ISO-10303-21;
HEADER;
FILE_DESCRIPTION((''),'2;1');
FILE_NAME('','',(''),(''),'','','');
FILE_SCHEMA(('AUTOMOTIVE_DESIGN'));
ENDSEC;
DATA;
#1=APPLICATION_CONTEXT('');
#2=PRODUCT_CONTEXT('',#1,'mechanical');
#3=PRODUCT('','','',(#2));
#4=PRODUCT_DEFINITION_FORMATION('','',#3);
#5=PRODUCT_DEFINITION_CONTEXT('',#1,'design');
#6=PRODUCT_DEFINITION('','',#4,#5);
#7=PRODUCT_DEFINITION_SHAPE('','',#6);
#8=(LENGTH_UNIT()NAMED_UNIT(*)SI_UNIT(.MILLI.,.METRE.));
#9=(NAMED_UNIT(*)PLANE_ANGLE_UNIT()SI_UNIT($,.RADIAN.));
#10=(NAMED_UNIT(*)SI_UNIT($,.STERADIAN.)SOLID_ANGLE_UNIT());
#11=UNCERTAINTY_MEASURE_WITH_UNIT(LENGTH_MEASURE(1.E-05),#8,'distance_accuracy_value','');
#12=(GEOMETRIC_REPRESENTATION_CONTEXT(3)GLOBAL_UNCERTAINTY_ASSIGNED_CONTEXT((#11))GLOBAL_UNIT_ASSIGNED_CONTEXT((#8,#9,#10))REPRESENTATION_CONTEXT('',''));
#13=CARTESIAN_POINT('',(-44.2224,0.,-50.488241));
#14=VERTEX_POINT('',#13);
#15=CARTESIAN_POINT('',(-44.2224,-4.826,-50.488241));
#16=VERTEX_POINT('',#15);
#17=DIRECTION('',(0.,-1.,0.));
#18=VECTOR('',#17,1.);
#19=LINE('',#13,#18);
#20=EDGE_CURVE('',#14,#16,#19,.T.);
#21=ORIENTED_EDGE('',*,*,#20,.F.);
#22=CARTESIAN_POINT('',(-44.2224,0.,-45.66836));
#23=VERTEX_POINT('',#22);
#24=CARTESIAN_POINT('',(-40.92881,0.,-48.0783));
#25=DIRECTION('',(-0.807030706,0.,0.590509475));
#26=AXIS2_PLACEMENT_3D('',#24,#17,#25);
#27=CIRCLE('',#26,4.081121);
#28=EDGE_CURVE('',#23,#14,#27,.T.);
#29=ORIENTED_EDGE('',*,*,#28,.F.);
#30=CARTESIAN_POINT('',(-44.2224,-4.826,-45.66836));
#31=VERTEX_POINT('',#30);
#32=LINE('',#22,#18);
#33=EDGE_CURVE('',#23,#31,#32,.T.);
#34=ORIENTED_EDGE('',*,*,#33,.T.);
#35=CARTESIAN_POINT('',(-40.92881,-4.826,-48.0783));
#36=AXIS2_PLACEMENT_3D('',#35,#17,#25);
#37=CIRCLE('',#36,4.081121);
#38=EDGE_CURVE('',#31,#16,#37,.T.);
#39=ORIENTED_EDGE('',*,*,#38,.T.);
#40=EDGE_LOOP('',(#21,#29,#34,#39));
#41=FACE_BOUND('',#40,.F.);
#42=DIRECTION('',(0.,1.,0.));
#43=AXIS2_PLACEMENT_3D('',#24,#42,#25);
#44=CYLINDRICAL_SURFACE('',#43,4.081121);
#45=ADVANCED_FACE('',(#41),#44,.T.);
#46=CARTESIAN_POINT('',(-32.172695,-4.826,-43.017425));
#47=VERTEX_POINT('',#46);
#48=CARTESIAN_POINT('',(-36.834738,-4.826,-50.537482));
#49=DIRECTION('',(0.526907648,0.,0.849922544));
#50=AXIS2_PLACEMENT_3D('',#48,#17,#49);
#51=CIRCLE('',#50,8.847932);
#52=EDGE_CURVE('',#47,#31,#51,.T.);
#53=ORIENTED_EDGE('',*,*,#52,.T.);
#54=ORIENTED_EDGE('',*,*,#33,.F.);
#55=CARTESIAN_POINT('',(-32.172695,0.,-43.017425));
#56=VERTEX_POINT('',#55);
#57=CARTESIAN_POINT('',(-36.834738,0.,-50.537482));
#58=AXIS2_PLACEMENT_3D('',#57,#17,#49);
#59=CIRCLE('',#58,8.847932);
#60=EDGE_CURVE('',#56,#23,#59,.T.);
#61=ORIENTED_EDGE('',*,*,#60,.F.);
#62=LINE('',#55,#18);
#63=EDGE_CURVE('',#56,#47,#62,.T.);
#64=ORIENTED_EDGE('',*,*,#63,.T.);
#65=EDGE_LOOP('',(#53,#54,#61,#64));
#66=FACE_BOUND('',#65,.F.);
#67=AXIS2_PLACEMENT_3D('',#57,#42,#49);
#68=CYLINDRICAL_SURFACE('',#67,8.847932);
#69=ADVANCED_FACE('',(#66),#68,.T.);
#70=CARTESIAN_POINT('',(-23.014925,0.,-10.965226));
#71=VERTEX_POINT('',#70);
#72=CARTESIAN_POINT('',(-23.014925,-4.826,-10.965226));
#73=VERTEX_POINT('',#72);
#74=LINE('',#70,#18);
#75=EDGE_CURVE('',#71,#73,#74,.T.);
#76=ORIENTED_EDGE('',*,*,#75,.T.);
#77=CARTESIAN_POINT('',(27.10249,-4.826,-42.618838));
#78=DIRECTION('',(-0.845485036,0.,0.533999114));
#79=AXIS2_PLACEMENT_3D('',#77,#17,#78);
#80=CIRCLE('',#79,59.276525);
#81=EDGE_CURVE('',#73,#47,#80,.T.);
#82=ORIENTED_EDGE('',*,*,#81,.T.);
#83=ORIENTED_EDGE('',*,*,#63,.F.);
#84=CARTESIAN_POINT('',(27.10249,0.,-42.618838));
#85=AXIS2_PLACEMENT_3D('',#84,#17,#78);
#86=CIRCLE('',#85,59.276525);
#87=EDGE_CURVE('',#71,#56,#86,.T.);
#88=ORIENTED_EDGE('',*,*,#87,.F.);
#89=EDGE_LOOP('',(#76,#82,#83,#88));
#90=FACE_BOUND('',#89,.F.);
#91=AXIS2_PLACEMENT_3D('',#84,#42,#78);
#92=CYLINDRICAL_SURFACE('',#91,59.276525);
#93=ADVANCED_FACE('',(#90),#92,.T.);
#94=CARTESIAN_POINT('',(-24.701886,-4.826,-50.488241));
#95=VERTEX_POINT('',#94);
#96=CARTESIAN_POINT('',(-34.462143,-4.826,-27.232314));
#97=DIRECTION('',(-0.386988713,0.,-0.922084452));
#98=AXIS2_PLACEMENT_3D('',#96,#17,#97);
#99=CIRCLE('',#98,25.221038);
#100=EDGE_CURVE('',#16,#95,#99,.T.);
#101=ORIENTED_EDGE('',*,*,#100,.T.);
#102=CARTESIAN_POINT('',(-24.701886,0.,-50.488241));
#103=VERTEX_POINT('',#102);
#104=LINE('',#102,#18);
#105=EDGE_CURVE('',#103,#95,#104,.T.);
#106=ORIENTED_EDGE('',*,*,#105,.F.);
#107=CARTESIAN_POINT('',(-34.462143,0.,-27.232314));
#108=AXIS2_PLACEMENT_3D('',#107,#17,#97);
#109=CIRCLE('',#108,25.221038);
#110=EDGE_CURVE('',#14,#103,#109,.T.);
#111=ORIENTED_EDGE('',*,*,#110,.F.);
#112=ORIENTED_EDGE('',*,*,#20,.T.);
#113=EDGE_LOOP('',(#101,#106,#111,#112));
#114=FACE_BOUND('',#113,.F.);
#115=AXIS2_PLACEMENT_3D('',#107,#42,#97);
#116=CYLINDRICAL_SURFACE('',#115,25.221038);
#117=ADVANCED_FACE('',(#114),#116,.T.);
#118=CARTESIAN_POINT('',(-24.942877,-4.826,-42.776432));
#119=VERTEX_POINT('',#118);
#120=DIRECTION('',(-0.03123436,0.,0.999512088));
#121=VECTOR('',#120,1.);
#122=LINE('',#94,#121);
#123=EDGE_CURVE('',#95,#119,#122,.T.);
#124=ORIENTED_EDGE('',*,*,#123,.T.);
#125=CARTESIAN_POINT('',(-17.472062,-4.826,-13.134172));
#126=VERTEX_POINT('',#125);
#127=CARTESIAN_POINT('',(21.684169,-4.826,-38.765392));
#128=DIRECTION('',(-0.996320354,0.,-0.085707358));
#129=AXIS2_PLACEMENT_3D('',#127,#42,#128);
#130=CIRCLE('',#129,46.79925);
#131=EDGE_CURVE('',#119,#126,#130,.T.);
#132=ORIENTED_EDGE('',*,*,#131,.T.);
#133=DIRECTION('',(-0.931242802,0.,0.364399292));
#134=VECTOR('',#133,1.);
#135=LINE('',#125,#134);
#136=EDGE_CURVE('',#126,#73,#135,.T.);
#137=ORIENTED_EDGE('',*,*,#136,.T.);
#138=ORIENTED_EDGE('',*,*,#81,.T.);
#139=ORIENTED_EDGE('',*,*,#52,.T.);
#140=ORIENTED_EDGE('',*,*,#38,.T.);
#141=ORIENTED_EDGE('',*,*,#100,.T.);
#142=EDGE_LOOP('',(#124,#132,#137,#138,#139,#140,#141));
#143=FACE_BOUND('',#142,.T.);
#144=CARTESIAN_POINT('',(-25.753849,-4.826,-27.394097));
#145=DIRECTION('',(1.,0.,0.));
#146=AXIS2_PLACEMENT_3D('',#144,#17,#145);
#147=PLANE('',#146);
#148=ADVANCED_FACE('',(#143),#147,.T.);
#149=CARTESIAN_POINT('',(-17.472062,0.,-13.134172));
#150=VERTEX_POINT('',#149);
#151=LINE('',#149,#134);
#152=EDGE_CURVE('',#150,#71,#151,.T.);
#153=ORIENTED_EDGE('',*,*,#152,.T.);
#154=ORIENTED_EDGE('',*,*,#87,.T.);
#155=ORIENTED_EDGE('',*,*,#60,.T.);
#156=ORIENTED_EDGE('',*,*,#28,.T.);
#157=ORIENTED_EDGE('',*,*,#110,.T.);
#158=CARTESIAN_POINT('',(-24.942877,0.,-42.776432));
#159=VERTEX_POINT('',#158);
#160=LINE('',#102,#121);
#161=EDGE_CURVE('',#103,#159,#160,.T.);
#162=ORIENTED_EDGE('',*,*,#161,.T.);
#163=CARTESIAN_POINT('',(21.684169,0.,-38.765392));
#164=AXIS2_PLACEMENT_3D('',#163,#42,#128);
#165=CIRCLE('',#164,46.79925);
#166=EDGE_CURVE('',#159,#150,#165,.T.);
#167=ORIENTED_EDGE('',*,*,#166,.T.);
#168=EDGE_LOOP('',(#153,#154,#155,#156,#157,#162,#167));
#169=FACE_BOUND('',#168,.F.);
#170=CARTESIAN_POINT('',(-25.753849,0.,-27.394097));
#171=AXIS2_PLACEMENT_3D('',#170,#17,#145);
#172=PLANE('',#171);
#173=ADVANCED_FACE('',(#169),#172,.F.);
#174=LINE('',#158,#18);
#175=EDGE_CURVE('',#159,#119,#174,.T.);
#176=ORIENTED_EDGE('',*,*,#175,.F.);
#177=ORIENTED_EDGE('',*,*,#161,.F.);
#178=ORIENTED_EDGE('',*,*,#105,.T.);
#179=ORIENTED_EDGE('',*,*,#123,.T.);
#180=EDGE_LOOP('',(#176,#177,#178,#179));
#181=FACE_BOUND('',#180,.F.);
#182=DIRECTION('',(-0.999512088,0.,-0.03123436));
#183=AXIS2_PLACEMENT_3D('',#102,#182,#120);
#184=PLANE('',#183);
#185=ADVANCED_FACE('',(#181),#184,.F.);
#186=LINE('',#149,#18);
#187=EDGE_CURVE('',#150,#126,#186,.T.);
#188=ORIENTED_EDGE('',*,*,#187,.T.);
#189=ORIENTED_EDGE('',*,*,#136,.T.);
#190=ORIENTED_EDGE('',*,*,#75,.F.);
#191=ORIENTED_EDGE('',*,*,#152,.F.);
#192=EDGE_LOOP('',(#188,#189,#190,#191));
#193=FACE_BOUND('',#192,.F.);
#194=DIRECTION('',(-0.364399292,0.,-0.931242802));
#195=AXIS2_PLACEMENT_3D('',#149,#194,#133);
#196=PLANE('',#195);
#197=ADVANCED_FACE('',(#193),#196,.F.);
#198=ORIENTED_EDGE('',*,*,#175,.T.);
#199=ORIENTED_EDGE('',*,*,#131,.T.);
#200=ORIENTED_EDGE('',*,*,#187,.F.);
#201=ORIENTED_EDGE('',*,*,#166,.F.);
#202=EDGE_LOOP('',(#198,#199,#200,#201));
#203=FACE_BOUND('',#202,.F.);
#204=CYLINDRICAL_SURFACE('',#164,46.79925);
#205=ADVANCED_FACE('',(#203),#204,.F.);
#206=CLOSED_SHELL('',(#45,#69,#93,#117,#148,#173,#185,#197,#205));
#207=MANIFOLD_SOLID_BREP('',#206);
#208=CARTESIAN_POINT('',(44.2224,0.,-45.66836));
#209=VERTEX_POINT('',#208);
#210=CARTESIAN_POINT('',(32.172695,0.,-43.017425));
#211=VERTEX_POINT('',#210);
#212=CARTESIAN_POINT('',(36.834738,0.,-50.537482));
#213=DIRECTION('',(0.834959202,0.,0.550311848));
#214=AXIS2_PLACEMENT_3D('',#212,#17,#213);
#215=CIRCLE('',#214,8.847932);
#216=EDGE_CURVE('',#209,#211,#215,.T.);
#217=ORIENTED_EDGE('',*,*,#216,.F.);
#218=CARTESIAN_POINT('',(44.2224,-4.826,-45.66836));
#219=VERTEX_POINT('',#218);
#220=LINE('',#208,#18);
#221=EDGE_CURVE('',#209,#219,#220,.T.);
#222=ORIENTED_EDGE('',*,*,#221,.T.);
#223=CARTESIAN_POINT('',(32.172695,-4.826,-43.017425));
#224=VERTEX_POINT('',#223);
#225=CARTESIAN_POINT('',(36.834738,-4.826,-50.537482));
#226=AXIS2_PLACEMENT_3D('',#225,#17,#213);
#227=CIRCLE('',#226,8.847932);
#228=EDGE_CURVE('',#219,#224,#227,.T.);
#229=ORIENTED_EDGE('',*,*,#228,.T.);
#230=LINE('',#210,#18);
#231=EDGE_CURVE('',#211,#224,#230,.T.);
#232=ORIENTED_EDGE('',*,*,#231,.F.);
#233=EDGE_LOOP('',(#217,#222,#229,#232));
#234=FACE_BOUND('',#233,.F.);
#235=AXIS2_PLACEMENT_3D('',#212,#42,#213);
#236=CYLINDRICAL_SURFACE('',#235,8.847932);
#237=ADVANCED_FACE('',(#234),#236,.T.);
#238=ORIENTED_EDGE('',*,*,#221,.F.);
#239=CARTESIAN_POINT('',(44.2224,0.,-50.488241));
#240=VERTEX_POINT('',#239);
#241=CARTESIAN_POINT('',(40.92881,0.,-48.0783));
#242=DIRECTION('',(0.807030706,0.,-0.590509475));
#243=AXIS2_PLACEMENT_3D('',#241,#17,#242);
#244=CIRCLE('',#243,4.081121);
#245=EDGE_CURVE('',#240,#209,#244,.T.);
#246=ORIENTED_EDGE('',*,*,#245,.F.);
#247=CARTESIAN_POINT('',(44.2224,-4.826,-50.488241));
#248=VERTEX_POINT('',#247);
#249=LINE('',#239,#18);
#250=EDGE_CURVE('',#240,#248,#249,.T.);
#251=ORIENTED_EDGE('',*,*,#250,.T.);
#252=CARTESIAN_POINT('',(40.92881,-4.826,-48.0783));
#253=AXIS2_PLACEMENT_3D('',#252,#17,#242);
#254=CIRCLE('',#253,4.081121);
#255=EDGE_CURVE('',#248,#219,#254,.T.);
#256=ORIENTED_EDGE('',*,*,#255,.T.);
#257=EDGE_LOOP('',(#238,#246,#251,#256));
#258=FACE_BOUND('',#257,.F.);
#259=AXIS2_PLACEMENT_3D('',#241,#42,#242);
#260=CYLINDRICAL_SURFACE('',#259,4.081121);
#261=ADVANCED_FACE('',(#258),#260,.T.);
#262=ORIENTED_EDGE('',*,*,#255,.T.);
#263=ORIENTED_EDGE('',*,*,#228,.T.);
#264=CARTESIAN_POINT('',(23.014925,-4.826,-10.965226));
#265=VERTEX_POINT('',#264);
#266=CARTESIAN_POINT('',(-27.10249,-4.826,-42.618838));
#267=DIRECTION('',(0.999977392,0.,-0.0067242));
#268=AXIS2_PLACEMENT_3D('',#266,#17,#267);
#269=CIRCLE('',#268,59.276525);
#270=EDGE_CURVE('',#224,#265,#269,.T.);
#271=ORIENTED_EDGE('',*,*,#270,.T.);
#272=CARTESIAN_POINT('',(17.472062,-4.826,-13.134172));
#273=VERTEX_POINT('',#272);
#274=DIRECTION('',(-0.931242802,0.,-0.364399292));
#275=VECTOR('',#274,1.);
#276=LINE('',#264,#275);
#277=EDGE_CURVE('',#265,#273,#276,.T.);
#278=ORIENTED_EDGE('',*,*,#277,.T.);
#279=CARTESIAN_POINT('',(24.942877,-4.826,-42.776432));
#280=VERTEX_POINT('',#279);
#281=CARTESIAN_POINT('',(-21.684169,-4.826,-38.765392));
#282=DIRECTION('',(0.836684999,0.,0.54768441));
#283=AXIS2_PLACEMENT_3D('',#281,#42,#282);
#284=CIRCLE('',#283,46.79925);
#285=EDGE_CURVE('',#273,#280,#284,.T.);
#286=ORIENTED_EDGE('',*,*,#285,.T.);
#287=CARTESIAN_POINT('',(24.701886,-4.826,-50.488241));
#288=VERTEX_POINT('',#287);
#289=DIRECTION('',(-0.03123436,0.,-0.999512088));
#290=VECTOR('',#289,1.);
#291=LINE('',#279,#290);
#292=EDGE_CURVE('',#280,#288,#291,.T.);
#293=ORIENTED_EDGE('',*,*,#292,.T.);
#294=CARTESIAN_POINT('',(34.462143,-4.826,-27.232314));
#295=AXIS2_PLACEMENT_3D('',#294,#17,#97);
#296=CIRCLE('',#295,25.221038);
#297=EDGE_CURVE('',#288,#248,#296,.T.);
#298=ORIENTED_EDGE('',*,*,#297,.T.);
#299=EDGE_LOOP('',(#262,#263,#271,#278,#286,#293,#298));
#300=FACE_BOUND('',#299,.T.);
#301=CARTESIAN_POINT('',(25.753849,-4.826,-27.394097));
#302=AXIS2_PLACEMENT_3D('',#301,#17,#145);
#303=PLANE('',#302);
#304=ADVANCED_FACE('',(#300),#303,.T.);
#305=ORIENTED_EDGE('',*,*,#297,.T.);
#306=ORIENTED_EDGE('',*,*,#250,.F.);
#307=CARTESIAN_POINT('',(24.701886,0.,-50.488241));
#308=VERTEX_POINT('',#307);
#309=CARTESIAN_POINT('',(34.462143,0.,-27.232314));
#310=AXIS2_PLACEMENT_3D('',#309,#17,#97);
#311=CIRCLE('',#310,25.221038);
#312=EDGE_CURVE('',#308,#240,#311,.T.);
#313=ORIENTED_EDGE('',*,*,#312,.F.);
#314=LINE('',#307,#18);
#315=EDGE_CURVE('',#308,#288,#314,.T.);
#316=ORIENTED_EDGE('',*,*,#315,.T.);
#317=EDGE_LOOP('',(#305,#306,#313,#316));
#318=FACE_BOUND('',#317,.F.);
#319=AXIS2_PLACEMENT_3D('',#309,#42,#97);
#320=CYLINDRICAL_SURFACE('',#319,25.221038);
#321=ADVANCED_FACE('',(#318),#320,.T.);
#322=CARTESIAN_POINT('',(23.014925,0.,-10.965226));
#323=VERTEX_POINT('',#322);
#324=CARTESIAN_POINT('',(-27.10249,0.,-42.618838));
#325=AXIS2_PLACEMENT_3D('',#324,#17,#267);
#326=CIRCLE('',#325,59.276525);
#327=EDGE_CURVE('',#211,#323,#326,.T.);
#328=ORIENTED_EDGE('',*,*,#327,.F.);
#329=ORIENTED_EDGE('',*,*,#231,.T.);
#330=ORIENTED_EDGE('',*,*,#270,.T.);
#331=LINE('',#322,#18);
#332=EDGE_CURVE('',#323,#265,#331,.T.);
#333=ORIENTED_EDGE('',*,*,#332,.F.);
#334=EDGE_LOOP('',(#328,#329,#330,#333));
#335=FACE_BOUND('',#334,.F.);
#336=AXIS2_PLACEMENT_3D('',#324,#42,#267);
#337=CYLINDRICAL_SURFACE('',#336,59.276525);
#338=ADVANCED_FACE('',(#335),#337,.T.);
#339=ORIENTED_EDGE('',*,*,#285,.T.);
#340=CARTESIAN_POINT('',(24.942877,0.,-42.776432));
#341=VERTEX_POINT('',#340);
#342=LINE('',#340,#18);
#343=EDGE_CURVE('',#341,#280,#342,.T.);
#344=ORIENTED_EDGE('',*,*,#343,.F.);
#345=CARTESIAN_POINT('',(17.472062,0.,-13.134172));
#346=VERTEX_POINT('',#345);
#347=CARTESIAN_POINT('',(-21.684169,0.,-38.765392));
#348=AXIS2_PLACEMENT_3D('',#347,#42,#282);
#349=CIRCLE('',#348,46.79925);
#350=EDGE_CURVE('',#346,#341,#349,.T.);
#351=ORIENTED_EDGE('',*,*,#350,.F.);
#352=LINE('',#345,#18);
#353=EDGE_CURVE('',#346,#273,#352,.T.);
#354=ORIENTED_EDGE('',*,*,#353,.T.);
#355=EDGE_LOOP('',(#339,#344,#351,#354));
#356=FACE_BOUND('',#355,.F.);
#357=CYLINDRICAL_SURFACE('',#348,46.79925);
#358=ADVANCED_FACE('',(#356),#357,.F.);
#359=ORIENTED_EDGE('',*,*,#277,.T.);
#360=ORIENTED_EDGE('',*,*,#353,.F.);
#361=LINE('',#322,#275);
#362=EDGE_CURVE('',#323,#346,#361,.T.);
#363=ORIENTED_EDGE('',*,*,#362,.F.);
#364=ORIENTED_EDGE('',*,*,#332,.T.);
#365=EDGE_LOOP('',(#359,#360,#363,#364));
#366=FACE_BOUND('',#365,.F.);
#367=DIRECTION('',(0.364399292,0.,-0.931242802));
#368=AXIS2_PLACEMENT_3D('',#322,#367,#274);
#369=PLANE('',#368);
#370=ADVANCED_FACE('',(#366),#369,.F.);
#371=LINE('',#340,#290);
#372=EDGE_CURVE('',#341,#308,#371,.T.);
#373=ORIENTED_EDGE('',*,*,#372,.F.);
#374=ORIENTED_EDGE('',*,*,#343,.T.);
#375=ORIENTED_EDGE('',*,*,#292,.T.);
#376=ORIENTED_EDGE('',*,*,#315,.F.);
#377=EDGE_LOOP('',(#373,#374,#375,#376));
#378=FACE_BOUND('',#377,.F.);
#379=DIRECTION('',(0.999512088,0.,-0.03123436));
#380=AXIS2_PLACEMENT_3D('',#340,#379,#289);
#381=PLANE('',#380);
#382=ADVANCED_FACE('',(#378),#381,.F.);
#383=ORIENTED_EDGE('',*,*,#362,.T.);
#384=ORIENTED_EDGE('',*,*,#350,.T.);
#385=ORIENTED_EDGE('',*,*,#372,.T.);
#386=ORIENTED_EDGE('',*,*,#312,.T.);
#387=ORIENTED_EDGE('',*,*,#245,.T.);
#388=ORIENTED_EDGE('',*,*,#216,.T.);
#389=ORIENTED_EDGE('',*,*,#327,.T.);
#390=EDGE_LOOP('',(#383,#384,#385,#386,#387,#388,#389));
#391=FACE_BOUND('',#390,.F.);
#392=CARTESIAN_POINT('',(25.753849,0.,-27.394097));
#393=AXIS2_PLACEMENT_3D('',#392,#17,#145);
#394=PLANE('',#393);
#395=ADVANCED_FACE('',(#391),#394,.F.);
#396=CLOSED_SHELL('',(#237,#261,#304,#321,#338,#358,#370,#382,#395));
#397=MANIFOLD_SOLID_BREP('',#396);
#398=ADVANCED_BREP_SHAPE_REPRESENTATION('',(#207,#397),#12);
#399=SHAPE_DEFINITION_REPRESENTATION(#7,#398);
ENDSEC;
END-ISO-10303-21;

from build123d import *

# Parameters (mm, degrees)
F1_DEPTH = 4.826


with BuildPart() as f1:
    # F0 (on Front) → F1 (new body)
    with BuildSketch(Plane.XZ):
        with BuildLine():
            Line((24.942877, -42.776432), (32.172695, -43.017425))
            ThreePointArc((32.172695, -43.017425), (29.893309, -26.334326), (23.014925, -10.965226))
            Line((23.014925, -10.965226), (17.472062, -13.134172))
            ThreePointArc((17.472062, -13.134172), (23.695987, -27.328115), (24.942877, -42.776432))
        make_face()
        with BuildLine():
            ThreePointArc((44.2224, -45.66836), (38.73582, -41.896198), (32.172695, -43.017425))
            Line((32.172695, -43.017425), (24.942877, -42.776432))
            Line((24.942877, -42.776432), (24.701886, -50.488241))
            ThreePointArc((24.701886, -50.488241), (34.462143, -52.453352), (44.2224, -50.488241))
            ThreePointArc((44.2224, -50.488241), (45.009931, -48.0783), (44.2224, -45.66836))
        make_face()
        with BuildLine():
            ThreePointArc((-24.942877, -42.776432), (-23.695987, -27.328115), (-17.472062, -13.134172))
            Line((-17.472062, -13.134172), (-23.014925, -10.965226))
            ThreePointArc((-23.014925, -10.965226), (-29.893309, -26.334326), (-32.172695, -43.017425))
            Line((-32.172695, -43.017425), (-24.942877, -42.776432))
        make_face()
        with BuildLine():
            Line((-24.701886, -50.488241), (-24.942877, -42.776432))
            Line((-24.942877, -42.776432), (-32.172695, -43.017425))
            ThreePointArc((-32.172695, -43.017425), (-38.73582, -41.896198), (-44.2224, -45.66836))
            ThreePointArc((-44.2224, -45.66836), (-45.009931, -48.0783), (-44.2224, -50.488241))
            ThreePointArc((-44.2224, -50.488241), (-34.462143, -52.453352), (-24.701886, -50.488241))
        make_face()
    extrude(amount=F1_DEPTH)


solid = f1.part
